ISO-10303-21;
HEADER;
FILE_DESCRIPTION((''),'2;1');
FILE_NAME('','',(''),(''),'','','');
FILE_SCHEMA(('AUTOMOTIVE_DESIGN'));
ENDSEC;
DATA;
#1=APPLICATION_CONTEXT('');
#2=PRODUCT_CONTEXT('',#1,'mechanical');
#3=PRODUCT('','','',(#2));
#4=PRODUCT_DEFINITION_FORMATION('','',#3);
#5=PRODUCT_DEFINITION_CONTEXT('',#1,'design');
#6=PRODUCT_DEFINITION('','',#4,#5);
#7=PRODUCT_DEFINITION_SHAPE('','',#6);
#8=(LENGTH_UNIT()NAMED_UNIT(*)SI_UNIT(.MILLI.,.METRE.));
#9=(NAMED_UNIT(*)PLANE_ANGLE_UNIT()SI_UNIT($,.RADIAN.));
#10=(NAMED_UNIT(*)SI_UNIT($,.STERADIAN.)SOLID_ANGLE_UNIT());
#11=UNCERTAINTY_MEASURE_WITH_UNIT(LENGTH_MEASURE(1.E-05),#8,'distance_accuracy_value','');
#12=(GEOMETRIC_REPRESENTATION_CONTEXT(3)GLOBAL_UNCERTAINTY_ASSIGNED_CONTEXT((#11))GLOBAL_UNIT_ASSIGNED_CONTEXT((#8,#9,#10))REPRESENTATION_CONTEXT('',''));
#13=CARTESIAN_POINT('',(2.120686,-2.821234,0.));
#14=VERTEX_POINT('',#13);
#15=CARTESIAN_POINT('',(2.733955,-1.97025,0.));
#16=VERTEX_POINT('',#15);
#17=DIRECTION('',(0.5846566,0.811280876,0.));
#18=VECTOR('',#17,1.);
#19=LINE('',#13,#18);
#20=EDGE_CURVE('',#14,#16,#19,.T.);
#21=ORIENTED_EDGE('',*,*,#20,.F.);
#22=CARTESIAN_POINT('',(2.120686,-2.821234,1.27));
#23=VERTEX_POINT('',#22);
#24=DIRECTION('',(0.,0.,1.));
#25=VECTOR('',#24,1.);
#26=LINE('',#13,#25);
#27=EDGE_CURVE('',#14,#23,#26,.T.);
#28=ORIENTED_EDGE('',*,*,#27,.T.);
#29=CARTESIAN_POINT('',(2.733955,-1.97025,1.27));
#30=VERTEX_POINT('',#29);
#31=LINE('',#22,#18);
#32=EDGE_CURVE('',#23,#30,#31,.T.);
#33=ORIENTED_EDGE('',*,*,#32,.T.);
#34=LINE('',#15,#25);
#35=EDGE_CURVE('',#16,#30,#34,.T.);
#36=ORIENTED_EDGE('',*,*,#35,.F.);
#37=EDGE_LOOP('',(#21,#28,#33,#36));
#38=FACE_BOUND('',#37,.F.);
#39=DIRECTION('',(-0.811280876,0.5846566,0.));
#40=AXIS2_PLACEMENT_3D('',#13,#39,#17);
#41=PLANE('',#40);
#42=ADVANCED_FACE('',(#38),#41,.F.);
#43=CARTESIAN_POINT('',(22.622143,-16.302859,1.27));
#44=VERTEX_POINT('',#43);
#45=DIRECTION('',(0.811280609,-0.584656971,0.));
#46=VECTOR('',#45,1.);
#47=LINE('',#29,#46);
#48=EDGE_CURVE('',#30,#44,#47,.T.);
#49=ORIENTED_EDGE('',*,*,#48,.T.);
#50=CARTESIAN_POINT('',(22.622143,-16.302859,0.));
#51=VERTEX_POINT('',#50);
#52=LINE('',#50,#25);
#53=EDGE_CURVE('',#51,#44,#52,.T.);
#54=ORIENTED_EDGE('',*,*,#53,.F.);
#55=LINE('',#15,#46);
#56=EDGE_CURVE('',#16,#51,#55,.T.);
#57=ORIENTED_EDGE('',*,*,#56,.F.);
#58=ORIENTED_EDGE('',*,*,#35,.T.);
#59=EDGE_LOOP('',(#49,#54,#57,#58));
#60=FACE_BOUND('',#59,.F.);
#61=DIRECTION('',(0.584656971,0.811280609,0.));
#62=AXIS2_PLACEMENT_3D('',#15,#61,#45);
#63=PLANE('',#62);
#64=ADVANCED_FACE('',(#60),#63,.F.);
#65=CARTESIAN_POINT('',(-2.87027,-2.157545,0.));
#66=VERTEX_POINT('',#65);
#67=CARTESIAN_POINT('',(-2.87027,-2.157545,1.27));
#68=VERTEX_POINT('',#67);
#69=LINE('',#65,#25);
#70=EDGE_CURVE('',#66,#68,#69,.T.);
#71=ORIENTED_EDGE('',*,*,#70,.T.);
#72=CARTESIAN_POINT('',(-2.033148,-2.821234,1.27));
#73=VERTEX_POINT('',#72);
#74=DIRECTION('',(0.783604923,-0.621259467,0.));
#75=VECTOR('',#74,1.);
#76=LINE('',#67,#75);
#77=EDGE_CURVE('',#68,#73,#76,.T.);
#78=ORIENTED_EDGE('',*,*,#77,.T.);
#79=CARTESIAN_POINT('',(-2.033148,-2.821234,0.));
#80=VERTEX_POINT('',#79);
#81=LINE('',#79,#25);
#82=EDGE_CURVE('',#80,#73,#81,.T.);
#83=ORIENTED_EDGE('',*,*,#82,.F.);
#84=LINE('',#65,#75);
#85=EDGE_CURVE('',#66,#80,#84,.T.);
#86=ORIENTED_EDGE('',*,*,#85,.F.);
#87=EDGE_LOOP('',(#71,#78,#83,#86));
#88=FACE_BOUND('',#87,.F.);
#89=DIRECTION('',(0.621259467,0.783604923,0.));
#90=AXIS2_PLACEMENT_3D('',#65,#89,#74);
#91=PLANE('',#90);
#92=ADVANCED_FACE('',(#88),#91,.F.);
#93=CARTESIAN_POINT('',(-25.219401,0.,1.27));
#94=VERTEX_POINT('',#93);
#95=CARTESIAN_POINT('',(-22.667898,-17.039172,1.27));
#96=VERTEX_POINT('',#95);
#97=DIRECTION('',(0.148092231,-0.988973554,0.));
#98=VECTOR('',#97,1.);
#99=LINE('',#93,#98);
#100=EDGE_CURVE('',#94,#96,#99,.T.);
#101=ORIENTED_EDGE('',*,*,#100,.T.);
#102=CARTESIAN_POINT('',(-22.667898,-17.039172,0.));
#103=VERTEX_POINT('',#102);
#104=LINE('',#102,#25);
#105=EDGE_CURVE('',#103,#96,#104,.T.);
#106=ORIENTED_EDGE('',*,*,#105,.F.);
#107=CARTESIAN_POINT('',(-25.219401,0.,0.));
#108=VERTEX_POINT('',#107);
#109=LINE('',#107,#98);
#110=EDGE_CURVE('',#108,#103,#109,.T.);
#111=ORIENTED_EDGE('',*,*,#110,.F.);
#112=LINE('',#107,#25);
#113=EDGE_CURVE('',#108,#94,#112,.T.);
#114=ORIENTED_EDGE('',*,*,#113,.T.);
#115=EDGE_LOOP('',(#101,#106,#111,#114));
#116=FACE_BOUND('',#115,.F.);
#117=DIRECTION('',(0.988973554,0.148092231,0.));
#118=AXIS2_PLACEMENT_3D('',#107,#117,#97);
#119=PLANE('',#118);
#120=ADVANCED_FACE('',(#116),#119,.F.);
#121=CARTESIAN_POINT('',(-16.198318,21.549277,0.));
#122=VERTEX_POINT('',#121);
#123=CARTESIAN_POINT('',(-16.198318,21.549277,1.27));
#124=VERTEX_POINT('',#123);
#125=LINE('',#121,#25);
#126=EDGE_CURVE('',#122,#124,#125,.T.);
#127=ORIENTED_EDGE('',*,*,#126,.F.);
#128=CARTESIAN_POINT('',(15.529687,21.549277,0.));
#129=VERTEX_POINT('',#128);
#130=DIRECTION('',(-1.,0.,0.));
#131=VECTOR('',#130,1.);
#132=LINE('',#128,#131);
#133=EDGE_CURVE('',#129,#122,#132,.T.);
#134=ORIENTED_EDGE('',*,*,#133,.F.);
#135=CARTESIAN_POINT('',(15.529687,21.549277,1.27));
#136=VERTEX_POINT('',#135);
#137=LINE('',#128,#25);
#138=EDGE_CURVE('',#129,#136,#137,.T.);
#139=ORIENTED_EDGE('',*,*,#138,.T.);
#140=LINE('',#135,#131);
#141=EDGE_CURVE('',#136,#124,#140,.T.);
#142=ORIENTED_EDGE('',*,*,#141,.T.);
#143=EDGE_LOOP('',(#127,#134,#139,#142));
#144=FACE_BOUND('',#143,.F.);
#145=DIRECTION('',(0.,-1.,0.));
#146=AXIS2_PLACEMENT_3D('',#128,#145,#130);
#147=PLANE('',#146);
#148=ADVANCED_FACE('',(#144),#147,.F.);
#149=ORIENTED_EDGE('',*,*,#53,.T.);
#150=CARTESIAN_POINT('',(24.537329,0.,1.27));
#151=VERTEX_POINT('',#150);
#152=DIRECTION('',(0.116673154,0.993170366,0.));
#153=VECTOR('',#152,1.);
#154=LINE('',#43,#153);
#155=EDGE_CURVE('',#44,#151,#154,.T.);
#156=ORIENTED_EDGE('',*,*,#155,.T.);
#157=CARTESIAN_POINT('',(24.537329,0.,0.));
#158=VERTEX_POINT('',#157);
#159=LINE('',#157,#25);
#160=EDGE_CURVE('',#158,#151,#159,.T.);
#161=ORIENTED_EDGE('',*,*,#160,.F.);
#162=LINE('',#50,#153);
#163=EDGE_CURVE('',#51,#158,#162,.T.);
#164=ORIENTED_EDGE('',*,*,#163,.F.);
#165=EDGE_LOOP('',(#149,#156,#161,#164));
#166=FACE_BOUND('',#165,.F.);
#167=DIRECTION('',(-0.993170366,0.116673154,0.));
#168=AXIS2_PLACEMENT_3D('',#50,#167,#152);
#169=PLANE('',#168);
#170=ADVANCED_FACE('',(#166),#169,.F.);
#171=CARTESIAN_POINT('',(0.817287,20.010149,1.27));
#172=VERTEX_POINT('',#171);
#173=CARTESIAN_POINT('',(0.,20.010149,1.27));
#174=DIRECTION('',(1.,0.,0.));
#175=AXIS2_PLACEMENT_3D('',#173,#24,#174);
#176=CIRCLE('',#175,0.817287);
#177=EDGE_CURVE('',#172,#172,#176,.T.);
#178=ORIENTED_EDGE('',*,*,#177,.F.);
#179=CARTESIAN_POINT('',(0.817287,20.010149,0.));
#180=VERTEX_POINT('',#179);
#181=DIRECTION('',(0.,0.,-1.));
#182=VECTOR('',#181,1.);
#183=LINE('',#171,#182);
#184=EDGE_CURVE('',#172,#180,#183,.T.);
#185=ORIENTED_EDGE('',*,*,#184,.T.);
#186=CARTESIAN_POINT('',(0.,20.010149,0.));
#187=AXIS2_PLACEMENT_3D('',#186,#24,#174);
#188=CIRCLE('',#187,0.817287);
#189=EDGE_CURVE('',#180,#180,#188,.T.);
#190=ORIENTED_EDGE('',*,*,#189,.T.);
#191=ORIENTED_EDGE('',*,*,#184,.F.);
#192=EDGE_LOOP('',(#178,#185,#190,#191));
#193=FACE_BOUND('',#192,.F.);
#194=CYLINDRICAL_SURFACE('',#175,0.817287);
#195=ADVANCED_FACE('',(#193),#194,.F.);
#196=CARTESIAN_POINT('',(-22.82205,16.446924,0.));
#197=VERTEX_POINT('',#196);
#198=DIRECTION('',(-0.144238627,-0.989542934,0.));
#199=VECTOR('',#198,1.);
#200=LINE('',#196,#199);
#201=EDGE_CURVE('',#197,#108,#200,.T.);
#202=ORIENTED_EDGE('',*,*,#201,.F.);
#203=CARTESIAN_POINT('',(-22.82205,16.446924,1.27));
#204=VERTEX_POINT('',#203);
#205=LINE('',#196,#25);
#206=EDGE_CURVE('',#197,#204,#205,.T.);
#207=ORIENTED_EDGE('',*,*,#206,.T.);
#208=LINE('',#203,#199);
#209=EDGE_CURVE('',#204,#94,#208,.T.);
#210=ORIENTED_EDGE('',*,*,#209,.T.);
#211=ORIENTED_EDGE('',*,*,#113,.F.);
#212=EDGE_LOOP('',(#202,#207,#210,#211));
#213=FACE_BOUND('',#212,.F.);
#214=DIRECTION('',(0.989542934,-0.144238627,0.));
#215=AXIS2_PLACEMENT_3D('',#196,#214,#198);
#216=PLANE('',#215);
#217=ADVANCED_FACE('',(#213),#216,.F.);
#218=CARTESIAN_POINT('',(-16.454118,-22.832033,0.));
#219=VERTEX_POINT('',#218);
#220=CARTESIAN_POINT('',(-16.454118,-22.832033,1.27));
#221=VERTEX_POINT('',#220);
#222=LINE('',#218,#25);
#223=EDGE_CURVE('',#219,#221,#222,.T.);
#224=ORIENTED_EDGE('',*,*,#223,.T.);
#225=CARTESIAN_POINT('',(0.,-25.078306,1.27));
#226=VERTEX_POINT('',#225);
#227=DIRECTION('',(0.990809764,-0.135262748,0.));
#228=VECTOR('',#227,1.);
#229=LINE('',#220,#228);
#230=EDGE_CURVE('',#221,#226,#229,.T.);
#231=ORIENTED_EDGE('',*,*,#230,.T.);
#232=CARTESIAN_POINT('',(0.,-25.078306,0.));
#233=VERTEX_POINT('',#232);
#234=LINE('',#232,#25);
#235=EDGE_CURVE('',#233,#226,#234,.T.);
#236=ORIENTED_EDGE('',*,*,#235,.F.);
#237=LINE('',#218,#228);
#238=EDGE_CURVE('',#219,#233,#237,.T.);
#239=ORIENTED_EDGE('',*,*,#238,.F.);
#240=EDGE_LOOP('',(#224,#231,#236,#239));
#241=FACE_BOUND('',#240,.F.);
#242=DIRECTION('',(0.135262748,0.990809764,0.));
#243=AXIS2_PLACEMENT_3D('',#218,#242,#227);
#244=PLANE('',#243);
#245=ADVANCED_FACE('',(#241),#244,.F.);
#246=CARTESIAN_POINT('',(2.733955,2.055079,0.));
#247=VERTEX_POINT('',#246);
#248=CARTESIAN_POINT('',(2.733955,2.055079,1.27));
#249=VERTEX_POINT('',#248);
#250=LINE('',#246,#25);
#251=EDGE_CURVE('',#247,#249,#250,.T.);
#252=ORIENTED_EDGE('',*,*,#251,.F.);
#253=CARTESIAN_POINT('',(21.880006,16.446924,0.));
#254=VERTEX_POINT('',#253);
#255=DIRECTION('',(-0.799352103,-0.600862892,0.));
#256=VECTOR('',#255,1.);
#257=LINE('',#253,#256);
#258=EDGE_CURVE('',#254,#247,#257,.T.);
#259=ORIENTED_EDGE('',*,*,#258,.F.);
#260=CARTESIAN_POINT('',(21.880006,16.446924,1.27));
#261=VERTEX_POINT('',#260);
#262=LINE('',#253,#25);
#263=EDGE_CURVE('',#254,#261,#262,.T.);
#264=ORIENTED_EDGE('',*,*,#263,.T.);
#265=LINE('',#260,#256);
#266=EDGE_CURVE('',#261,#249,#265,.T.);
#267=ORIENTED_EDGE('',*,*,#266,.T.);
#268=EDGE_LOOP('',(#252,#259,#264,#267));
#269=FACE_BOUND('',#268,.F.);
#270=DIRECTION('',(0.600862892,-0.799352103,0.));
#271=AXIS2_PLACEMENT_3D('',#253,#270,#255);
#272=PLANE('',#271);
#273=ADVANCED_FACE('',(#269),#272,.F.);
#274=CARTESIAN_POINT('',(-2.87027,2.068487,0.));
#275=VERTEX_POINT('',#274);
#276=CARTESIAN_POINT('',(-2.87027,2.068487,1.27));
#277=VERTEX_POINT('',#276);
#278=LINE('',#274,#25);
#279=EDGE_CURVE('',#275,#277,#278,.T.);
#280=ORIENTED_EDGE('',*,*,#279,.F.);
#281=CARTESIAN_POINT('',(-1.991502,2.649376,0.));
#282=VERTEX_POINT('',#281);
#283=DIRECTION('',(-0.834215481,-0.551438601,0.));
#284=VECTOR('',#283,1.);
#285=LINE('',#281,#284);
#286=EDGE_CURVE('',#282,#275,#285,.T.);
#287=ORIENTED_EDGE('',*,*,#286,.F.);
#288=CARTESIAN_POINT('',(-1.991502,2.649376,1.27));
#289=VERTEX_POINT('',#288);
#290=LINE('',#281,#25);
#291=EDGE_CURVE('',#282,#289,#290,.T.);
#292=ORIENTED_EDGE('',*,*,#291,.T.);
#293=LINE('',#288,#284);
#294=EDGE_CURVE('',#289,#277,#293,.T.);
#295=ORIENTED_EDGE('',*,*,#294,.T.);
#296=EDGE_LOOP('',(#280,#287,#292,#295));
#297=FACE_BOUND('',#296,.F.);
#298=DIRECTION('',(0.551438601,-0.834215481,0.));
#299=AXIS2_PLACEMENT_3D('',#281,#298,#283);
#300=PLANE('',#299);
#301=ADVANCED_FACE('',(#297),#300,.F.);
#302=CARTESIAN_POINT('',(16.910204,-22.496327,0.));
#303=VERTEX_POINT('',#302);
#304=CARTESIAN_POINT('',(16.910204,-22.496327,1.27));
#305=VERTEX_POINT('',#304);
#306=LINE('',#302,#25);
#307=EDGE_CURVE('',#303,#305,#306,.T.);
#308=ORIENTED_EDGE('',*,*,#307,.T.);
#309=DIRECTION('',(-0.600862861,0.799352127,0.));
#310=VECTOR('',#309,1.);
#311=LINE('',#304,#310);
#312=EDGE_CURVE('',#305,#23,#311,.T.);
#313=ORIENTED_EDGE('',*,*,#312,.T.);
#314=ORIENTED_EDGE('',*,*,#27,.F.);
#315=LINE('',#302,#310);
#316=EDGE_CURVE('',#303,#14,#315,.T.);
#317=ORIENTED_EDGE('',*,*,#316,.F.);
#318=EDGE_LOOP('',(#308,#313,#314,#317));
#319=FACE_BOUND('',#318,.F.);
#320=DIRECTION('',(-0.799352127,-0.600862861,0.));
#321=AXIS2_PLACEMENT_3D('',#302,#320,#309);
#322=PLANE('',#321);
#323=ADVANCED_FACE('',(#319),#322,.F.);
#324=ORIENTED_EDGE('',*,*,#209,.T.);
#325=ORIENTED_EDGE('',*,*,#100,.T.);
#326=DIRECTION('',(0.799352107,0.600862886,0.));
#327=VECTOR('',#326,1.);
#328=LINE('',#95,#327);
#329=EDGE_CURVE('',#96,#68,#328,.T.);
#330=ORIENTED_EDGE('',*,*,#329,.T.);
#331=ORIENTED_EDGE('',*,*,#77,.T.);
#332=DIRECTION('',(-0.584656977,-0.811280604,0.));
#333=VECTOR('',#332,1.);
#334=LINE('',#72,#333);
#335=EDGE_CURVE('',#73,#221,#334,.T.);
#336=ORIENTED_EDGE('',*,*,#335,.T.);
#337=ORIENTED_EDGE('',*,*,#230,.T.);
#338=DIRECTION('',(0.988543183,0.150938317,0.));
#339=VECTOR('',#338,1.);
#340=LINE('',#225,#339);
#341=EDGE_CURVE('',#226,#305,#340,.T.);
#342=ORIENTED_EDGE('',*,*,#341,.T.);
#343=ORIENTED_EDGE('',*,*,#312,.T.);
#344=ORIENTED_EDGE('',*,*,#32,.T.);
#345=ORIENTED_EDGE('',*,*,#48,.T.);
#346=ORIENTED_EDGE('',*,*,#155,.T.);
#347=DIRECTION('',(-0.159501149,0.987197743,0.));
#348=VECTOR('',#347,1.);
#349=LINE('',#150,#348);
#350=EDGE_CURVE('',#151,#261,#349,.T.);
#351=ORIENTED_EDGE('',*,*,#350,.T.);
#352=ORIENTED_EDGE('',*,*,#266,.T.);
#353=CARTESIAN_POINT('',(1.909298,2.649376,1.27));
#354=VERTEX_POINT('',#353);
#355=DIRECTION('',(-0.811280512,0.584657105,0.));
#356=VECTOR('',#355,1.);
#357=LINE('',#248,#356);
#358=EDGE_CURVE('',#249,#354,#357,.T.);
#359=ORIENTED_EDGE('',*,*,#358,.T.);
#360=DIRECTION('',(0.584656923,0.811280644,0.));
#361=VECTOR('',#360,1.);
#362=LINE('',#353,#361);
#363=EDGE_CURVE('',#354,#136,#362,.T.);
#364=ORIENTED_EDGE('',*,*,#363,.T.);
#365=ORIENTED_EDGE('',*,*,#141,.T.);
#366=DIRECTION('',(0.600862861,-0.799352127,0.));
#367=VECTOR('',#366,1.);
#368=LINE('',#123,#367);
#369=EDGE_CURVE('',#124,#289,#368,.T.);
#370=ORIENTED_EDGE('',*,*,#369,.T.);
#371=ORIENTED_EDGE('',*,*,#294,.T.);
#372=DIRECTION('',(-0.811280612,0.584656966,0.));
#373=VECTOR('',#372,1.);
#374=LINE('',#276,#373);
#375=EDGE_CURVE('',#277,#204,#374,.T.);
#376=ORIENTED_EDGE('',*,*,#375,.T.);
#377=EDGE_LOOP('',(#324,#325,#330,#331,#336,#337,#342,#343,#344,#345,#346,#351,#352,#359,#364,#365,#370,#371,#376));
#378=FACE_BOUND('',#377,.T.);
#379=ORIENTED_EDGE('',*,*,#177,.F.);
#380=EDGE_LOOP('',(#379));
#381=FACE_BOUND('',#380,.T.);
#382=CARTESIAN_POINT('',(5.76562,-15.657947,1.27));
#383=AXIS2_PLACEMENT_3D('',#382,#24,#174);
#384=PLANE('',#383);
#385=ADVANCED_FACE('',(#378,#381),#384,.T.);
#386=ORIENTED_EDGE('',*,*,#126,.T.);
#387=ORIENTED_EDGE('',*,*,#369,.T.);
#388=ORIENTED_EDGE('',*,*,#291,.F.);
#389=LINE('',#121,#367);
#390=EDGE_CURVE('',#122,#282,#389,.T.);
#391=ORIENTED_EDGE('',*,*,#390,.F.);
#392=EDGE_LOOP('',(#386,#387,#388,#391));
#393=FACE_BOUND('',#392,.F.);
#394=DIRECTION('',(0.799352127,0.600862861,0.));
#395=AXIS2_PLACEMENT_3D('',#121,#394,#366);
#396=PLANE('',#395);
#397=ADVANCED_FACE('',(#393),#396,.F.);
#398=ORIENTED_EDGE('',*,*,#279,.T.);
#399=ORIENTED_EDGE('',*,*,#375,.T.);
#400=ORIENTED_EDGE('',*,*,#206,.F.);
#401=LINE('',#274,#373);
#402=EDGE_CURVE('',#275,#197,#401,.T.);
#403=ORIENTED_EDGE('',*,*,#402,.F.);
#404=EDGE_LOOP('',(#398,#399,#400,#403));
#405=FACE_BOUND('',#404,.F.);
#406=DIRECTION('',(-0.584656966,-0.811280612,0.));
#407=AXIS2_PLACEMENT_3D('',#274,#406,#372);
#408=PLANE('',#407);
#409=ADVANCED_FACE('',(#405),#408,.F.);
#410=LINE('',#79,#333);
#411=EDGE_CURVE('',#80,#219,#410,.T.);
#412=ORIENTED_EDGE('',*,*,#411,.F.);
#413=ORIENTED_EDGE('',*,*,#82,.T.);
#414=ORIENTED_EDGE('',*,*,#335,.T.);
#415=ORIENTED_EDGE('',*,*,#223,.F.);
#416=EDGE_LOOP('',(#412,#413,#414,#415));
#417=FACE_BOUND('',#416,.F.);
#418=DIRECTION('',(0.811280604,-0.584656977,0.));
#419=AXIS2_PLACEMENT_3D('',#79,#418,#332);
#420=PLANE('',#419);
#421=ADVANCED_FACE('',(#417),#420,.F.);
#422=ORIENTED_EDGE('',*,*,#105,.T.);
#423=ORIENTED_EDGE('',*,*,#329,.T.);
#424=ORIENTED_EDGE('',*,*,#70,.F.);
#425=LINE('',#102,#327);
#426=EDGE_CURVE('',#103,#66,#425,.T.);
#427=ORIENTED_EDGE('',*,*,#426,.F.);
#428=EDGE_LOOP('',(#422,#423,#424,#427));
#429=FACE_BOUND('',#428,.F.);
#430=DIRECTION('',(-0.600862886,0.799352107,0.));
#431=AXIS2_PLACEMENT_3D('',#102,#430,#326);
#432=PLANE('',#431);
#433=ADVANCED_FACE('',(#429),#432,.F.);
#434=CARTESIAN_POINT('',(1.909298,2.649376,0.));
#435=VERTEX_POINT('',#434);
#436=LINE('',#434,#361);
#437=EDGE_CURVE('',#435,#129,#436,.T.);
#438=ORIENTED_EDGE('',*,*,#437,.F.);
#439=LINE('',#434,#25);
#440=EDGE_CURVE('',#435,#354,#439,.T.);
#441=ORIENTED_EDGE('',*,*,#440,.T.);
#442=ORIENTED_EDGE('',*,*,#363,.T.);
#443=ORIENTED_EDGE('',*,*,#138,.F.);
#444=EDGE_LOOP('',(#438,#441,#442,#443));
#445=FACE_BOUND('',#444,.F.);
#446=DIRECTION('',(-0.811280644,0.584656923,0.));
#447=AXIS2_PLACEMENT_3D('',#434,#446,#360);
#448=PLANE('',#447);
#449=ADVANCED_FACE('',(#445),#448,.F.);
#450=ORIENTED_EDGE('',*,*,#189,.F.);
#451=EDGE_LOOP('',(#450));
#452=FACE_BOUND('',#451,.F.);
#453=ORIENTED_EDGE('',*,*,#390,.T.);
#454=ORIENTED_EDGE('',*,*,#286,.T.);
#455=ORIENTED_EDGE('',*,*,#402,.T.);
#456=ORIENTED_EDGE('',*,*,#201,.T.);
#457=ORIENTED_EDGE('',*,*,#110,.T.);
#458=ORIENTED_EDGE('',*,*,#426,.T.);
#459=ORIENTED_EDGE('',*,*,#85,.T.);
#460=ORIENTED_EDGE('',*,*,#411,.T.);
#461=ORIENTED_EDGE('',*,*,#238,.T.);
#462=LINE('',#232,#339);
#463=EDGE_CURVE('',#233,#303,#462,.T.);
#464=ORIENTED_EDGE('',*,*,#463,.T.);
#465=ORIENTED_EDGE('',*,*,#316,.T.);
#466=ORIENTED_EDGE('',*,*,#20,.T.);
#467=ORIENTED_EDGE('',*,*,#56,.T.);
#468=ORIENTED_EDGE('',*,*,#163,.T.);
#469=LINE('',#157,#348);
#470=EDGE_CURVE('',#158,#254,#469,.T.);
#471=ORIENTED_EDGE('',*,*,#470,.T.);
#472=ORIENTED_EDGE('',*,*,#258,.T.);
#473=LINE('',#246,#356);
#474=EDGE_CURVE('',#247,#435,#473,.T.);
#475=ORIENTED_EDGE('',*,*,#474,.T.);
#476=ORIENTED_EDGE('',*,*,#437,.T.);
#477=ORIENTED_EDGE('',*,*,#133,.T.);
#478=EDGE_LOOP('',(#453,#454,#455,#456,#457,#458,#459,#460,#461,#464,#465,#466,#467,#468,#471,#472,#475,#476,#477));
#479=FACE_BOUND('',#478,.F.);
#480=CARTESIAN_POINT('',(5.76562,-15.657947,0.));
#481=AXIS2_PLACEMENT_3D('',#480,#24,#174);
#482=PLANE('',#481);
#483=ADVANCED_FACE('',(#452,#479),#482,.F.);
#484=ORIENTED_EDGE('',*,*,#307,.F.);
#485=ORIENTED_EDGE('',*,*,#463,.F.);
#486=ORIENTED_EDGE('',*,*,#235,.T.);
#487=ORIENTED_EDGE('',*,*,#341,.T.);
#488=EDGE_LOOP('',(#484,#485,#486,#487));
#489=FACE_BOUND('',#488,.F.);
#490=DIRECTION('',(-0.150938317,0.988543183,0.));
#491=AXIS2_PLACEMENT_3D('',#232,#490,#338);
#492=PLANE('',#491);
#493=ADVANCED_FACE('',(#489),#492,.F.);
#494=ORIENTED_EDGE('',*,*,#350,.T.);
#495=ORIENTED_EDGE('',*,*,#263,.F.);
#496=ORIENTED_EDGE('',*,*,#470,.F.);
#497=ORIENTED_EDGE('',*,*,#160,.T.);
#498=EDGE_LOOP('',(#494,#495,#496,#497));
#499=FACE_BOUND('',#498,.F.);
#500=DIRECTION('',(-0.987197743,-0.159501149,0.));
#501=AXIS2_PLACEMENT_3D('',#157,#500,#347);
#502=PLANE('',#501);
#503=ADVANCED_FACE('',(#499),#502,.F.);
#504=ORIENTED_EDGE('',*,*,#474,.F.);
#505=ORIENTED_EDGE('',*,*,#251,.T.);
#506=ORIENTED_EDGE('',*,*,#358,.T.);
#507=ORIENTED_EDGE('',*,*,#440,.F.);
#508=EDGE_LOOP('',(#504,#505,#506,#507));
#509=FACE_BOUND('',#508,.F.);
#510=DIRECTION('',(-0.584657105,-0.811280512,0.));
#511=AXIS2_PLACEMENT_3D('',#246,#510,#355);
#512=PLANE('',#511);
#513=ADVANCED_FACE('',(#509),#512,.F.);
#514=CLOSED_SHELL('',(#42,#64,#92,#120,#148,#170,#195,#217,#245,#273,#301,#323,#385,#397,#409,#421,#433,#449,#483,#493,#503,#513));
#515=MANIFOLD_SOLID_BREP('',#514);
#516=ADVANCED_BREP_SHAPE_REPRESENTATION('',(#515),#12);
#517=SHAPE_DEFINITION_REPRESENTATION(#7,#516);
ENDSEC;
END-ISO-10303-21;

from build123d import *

# Parameters (mm, degrees)
F1_DEPTH = 1.27
F2_R     = 0.817287
F3_DEPTH = 12.7


with BuildPart() as f1:
    # F0 (on Top) → F1 (new body)
    with BuildSketch(Plane.XY):
        Polygon((2.120686, -2.821234), (0, -2.821234), (0, -25.078306), (16.910204, -22.496327), align=None)
        Polygon((-1.991502, 2.649376), (0, 2.649376), (0, 21.549277), (-16.198318, 21.549277), align=None)
        Polygon((0, 21.549277), (0, 2.649376), (1.909298, 2.649376), (15.529687, 21.549277), align=None)
        Polygon((24.537329, 0), (2.733955, 0), (2.733955, -1.97025), (22.622143, -16.302859), align=None)
        Polygon((2.733955, 2.055079), (2.733955, 0), (24.537329, 0), (21.880006, 16.446924), align=None)
        Polygon((-25.219401, 0), (-2.87027, 0), (-2.87027, 2.068487), (-22.82205, 16.446924), align=None)
        Polygon((-2.87027, -2.157545), (-2.87027, 0), (-25.219401, 0), (-22.667898, -17.039172), align=None)
        Polygon((0, -25.078306), (0, -2.821234), (-2.033148, -2.821234), (-16.454118, -22.832033), align=None)
        Polygon((2.733955, 0), (0, 0), (0, -2.821234), (2.120686, -2.821234), (2.733955, -1.97025), align=None)
        Polygon((0, 2.649376), (0, 0), (2.733955, 0), (2.733955, 2.055079), (1.909298, 2.649376), align=None)
        Polygon((-2.87027, 0), (0, 0), (0, 2.649376), (-1.991502, 2.649376), (-2.87027, 2.068487), align=None)
        Polygon((0, -2.821234), (0, 0), (-2.87027, 0), (-2.87027, -2.157545), (-2.033148, -2.821234), align=None)
    extrude(amount=F1_DEPTH)

    # F2 (on face) → F3 (cut)
    with BuildSketch(Plane.XY.offset(1.27)):
        with Locations((0, 20.010149)):
            Circle(F2_R)
    extrude(amount=-F3_DEPTH, mode=Mode.SUBTRACT)


solid = f1.part
